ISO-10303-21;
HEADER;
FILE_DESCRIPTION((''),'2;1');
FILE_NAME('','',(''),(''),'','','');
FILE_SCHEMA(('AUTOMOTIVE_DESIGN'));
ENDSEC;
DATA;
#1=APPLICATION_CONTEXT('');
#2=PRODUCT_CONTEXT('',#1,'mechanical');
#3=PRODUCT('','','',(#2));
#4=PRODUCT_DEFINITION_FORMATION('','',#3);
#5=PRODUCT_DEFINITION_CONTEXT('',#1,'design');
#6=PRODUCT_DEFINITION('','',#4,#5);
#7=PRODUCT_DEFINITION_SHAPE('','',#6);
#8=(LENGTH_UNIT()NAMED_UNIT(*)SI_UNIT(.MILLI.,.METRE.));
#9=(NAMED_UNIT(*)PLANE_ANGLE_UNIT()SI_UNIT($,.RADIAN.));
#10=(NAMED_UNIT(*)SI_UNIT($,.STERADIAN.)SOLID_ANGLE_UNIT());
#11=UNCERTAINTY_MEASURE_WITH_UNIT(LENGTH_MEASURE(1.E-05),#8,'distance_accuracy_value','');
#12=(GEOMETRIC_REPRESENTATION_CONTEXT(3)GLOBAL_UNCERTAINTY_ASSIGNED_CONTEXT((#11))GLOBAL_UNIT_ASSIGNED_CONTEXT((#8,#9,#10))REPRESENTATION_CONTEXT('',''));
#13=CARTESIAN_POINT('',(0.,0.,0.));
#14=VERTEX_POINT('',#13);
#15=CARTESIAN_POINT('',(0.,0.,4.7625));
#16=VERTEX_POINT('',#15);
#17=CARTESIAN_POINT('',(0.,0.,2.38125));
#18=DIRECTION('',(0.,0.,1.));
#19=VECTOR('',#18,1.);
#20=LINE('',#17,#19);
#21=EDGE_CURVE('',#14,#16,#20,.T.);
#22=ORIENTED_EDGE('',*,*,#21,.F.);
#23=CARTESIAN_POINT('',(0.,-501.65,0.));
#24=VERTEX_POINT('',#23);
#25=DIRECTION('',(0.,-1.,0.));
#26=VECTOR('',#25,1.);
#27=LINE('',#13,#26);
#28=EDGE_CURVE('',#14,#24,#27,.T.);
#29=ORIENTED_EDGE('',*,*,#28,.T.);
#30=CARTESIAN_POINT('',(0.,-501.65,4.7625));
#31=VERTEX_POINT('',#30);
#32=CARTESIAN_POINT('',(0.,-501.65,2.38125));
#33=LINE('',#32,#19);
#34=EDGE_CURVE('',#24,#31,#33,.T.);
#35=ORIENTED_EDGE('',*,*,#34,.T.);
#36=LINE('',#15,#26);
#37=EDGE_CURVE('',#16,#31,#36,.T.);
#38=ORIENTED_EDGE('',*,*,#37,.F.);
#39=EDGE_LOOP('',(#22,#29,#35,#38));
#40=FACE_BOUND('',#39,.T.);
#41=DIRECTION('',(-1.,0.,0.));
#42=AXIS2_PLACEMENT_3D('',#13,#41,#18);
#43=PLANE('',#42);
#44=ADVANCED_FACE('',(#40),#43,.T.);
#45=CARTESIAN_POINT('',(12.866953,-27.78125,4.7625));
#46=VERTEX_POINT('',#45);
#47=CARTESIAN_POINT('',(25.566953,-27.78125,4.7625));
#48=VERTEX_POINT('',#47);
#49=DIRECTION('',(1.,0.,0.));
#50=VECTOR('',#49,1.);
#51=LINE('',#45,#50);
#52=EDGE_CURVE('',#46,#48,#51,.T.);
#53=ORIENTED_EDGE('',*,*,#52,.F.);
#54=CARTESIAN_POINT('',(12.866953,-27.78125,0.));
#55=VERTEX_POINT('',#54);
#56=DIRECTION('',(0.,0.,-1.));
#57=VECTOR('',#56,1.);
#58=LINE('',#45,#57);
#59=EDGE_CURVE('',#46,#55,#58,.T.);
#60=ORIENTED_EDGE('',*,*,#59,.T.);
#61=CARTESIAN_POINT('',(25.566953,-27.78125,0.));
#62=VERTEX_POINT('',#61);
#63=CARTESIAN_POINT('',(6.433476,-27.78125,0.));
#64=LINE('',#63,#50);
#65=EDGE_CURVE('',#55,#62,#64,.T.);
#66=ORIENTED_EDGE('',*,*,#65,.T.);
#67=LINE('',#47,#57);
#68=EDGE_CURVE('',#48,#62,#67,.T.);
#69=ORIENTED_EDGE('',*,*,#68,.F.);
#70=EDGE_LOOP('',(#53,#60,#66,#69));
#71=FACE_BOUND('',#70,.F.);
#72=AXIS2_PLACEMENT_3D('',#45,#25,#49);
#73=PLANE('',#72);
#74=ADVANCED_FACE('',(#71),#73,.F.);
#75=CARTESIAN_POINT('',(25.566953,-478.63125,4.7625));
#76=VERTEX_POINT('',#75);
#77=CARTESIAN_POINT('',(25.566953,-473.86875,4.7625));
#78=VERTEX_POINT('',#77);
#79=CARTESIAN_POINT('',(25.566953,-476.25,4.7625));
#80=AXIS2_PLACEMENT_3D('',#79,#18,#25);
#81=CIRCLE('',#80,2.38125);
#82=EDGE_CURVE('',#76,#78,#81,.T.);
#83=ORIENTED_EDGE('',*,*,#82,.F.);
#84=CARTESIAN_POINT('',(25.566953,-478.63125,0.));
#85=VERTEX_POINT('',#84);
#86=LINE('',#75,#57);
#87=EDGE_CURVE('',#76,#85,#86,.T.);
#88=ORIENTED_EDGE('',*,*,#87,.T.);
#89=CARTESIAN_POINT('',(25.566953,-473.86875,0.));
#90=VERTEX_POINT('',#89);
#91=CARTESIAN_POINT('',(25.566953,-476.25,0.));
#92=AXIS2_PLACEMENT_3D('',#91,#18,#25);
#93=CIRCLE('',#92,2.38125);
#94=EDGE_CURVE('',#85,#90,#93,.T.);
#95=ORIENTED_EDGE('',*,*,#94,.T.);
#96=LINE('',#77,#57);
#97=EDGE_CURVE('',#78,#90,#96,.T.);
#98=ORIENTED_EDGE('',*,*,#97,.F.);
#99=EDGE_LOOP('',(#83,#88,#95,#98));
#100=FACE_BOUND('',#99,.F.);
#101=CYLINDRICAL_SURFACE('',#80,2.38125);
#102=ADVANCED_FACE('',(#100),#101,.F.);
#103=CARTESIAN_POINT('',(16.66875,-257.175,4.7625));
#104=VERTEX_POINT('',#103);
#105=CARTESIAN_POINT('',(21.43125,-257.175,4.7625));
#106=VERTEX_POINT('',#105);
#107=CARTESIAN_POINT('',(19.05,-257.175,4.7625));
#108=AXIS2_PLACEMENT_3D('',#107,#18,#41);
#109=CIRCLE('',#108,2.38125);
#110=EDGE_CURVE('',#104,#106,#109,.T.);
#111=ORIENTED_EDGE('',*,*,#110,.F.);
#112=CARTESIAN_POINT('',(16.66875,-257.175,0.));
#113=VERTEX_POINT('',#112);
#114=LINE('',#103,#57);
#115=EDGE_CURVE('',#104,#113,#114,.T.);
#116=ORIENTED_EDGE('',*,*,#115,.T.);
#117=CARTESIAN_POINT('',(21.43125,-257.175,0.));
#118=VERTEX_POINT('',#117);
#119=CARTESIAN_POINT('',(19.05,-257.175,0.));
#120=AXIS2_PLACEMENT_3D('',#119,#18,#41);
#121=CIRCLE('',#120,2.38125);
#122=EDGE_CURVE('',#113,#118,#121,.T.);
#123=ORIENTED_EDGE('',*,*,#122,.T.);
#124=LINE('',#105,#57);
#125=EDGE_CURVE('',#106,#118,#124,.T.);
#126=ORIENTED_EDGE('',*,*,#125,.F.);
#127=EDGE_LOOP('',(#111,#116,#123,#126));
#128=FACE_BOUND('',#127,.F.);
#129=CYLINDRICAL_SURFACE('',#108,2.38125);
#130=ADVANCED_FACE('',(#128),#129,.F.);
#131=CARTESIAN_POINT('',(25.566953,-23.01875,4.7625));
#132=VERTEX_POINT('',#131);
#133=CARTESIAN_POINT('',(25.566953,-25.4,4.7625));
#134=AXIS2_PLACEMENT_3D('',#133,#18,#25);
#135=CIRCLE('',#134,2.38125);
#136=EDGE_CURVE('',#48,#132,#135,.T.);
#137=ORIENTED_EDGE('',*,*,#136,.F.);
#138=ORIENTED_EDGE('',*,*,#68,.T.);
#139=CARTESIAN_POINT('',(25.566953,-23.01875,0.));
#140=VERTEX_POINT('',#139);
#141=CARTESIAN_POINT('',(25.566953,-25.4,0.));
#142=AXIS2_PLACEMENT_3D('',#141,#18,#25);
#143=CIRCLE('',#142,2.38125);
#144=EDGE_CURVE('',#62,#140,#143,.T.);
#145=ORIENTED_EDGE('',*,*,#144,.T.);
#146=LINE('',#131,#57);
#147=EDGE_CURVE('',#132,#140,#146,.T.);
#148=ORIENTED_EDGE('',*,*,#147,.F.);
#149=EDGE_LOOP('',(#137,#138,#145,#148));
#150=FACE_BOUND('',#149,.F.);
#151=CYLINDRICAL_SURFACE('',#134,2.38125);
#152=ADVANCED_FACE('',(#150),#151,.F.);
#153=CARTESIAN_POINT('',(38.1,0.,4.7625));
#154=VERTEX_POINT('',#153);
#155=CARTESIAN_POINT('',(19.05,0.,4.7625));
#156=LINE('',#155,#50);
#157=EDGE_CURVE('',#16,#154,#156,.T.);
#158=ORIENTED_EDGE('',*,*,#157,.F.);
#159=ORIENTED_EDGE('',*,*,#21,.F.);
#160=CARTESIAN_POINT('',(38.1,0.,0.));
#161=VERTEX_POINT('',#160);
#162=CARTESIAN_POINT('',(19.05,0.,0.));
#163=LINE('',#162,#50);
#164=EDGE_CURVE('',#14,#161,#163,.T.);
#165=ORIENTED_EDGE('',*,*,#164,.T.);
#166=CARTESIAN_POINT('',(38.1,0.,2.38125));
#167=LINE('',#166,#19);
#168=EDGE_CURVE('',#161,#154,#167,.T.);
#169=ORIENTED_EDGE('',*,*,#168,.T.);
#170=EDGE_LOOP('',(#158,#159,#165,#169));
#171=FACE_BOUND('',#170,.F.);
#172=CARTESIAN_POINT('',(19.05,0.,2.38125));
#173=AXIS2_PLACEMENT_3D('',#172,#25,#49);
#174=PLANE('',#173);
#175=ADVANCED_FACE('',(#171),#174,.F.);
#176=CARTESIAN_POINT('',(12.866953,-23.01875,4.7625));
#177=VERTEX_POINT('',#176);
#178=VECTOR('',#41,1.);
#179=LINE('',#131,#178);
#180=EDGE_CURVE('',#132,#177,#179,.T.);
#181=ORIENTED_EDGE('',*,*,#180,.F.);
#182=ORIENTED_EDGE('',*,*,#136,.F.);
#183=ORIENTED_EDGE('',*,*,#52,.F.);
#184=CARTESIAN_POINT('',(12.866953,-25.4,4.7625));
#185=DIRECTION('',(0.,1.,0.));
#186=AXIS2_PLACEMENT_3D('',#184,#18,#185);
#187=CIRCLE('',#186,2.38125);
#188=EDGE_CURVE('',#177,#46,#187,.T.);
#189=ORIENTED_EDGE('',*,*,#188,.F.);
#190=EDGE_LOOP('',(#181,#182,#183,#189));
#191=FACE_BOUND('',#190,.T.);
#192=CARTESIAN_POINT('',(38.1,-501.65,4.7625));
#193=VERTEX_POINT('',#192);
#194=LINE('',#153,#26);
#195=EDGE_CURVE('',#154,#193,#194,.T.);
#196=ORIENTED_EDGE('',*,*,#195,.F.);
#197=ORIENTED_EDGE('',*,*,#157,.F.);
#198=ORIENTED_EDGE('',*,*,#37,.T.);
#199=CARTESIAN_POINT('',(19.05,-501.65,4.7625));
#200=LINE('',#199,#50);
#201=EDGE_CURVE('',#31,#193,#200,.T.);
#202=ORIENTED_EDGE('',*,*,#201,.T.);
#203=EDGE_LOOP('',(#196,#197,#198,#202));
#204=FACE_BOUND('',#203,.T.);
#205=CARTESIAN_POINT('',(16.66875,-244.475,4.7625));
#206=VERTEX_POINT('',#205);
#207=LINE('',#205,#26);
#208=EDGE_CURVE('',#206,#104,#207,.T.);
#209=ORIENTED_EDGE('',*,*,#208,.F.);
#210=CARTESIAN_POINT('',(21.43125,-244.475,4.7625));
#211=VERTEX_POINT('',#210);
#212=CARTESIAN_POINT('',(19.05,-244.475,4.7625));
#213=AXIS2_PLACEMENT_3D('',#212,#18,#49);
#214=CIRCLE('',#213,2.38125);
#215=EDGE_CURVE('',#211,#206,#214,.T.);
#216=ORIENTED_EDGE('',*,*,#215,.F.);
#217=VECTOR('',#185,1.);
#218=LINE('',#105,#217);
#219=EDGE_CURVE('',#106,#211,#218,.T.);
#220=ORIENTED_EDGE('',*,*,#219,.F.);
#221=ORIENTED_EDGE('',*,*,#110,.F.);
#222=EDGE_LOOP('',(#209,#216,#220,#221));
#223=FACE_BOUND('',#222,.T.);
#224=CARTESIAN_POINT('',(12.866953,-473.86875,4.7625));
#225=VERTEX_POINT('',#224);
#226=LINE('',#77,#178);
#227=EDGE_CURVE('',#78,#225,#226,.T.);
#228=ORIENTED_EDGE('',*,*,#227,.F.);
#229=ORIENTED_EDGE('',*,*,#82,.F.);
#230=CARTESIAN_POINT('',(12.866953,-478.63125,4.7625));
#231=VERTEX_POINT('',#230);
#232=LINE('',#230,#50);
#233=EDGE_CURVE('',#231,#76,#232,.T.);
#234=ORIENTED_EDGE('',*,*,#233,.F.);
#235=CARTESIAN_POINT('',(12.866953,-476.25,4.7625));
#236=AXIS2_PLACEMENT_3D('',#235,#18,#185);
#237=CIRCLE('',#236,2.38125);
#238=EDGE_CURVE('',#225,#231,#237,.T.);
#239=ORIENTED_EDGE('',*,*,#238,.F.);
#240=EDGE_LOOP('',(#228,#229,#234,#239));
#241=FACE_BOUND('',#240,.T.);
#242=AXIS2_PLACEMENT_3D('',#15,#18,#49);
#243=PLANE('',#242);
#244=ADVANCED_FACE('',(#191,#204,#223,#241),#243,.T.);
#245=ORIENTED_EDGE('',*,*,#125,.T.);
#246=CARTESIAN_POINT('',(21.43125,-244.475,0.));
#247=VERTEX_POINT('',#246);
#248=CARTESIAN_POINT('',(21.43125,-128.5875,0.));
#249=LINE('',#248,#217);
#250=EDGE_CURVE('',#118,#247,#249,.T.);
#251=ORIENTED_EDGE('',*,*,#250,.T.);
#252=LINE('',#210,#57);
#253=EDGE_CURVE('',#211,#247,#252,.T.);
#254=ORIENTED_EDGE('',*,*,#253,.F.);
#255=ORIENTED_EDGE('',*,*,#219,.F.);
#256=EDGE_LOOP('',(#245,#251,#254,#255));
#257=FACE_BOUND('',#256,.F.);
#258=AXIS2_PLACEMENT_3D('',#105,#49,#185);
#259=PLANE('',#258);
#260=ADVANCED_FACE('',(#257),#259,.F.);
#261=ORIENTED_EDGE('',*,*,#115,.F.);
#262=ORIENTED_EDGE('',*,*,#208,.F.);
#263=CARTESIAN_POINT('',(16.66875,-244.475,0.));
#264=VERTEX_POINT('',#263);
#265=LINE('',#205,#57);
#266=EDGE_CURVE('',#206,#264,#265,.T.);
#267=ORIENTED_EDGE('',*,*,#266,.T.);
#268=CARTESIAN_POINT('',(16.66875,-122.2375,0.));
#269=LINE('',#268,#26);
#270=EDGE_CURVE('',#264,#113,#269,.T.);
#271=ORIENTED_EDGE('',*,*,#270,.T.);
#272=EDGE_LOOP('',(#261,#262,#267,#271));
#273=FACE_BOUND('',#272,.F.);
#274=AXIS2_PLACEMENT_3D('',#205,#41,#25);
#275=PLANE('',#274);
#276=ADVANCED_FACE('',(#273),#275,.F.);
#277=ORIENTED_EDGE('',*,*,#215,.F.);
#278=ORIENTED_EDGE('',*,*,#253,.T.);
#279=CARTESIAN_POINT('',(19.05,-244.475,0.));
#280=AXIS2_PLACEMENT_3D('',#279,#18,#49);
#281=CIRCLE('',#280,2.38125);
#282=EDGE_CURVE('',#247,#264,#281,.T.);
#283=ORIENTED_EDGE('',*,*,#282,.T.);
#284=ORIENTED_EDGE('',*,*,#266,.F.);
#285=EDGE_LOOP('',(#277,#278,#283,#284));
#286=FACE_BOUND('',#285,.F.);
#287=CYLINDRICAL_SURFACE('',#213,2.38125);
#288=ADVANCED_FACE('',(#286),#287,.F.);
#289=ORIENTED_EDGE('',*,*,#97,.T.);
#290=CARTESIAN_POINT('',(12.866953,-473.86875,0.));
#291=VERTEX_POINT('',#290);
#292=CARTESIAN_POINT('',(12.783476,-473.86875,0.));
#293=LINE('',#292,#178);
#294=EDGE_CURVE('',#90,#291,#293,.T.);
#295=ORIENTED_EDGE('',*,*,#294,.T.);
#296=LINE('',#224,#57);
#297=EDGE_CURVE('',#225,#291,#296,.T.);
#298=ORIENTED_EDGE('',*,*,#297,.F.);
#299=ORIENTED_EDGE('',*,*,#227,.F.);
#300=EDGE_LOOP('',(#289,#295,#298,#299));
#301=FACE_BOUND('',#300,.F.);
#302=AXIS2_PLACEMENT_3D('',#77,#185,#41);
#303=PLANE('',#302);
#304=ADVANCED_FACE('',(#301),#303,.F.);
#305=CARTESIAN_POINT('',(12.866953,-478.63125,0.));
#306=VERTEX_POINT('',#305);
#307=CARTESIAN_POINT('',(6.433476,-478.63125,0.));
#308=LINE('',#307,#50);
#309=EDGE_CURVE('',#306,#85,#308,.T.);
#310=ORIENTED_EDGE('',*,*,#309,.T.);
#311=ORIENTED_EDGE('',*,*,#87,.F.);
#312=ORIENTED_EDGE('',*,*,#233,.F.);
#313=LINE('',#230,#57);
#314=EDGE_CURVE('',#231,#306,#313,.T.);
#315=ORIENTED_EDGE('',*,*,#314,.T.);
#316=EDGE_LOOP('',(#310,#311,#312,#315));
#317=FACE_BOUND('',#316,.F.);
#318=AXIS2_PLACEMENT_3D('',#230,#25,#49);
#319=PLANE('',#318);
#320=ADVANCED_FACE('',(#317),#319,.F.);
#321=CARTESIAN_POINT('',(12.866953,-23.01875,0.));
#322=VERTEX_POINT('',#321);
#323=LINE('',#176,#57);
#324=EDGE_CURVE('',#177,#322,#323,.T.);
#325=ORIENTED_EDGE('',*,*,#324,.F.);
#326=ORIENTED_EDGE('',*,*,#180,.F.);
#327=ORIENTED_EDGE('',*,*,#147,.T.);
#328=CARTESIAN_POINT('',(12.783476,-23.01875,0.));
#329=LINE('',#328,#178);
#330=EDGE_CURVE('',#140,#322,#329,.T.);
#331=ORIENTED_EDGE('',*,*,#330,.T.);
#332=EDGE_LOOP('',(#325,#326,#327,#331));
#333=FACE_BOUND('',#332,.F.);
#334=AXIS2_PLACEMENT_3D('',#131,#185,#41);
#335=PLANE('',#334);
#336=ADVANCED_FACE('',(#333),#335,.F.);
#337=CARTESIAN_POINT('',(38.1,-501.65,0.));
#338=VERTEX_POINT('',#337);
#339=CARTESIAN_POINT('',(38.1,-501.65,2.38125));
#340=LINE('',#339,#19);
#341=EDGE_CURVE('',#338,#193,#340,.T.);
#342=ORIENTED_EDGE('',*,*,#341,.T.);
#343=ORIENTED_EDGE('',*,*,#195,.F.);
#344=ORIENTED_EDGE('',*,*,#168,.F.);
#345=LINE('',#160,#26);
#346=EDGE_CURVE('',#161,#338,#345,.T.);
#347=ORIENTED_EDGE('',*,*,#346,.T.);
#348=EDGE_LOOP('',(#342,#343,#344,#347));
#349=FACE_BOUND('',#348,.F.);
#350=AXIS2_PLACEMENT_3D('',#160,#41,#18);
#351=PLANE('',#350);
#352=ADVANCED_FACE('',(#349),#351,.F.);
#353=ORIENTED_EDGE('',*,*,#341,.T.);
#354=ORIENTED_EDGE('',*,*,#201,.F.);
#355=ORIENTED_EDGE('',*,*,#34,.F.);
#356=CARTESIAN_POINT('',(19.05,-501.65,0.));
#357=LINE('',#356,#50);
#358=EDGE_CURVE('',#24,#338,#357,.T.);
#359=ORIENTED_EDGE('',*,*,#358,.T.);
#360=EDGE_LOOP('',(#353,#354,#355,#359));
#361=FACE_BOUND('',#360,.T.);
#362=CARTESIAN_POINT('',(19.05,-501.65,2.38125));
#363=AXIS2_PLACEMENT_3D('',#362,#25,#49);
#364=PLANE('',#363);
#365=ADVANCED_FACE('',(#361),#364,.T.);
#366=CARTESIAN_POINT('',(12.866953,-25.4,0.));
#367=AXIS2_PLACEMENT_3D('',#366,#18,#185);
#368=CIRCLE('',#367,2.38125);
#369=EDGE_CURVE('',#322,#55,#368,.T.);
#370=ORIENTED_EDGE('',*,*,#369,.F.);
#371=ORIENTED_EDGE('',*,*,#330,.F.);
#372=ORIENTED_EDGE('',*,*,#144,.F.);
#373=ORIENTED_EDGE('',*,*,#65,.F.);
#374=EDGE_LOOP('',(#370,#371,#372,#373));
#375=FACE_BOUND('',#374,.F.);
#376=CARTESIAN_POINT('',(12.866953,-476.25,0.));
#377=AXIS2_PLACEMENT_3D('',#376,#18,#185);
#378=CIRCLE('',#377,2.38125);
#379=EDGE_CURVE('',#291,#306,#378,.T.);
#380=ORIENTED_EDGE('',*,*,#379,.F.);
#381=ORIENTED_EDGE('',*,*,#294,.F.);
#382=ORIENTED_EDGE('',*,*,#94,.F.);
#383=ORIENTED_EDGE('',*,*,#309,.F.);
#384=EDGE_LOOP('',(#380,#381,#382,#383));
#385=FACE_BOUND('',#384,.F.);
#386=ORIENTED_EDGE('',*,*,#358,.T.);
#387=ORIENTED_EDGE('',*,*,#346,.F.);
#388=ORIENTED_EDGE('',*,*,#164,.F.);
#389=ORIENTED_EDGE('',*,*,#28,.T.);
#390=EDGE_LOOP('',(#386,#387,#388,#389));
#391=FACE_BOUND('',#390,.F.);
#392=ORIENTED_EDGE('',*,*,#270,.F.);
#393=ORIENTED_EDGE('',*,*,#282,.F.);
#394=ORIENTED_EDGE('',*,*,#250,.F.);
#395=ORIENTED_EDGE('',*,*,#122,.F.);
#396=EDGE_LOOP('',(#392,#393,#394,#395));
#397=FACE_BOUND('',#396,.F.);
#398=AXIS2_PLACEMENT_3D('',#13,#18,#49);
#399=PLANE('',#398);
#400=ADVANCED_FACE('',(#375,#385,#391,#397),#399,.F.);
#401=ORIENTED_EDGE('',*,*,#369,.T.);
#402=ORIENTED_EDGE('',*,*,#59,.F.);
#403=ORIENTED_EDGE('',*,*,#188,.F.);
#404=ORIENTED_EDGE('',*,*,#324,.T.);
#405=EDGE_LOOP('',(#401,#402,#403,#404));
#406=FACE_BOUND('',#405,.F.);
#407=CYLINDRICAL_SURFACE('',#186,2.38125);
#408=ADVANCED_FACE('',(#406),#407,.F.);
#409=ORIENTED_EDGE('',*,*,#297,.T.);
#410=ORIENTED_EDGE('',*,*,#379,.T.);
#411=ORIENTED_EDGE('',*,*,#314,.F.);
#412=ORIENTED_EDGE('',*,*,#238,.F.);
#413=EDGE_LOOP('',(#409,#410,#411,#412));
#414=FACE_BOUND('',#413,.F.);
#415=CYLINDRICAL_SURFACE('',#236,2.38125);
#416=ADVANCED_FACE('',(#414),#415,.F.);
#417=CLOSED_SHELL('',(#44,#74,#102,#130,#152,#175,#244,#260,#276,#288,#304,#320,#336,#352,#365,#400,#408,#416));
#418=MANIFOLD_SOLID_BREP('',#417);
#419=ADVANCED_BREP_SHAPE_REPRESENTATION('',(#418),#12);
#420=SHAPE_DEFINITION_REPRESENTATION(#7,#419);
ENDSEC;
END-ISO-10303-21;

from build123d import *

# Parameters (mm, degrees)
F0_W     = 38.1
F0_H     = 4.7625
F1_DEPTH = 501.65
F3_DEPTH = 25.4


with BuildPart() as f1:
    # F0 (on Front) → F1 (new body)
    with BuildSketch(Plane.XZ):
        with Locations((19.05, 2.38125)):
            Rectangle(F0_W, F0_H)
    extrude(amount=F1_DEPTH)

    # F2 (on face) → F3 (cut)
    with BuildSketch(Plane.XY.offset(4.7625)):
        with BuildLine():
            Line((19.05, -248.44375), (19.05, -250.825))
            Line((19.05, -250.825), (19.05, -253.20625))
            ThreePointArc((19.05, -253.20625), (20.7337980227, -252.5087980227), (21.43125, -250.825))
            ThreePointArc((21.43125, -250.825), (20.7337980227, -249.1412019773), (19.05, -248.44375))
        make_face()
        with BuildLine():
            Line((19.05, -253.20625), (19.05, -250.825))
            Line((19.05, -250.825), (19.05, -248.44375))
            ThreePointArc((19.05, -248.44375), (17.3662019773, -249.1412019773), (16.66875, -250.825))
            ThreePointArc((16.66875, -250.825), (17.3662019773, -252.5087980227), (19.05, -253.20625))
        make_face()
        with BuildLine():
            ThreePointArc((21.43125, -250.825), (20.7337980227, -252.5087980227), (19.05, -253.20625))
            ThreePointArc((19.05, -253.20625), (17.3662019773, -252.5087980227), (16.66875, -250.825))
            Line((16.66875, -250.825), (16.66875, -257.175))
            ThreePointArc((16.66875, -257.175), (19.05, -259.55625), (21.43125, -257.175))
            Line((21.43125, -257.175), (21.43125, -250.825))
        make_face()
        with BuildLine():
            ThreePointArc((16.66875, -250.825), (17.3662019773, -249.1412019773), (19.05, -248.44375))
            ThreePointArc((19.05, -248.44375), (20.7337980227, -249.1412019773), (21.43125, -250.825))
            Line((21.43125, -250.825), (21.43125, -244.475))
            ThreePointArc((21.43125, -244.475), (19.05, -242.09375), (16.66875, -244.475))
            Line((16.66875, -244.475), (16.66875, -250.825))
        make_face()
        with BuildLine():
            ThreePointArc((25.5669526236, -478.63125), (27.9482026236, -476.25), (25.5669526236, -473.86875))
            Line((25.5669526236, -473.86875), (19.2169526236, -473.86875))
            Line((19.2169526236, -473.86875), (19.2154290805, -473.86875))
            Line((19.2154290805, -473.86875), (12.8669526236, -473.86875))
            ThreePointArc((12.8669526236, -473.86875), (10.4857026236, -476.25), (12.8669526236, -478.63125))
            Line((12.8669526236, -478.63125), (19.2169526236, -478.63125))
            Line((19.2169526236, -478.63125), (25.5669526236, -478.63125))
        make_face()
        with BuildLine():
            Line((19.2169526236, -23.01875), (12.8669526236, -23.01875))
            ThreePointArc((12.8669526236, -23.01875), (10.4857026236, -25.4), (12.8669526236, -27.78125))
            Line((12.8669526236, -27.78125), (19.2154290805, -27.78125))
            Line((19.2154290805, -27.78125), (19.2169526236, -27.78125))
            Line((19.2169526236, -27.78125), (25.5669526236, -27.78125))
            ThreePointArc((25.5669526236, -27.78125), (27.9482026236, -25.4), (25.5669526236, -23.01875))
            Line((25.5669526236, -23.01875), (19.2169526236, -23.01875))
        make_face()
    extrude(amount=-F3_DEPTH, mode=Mode.SUBTRACT)


solid = f1.part
